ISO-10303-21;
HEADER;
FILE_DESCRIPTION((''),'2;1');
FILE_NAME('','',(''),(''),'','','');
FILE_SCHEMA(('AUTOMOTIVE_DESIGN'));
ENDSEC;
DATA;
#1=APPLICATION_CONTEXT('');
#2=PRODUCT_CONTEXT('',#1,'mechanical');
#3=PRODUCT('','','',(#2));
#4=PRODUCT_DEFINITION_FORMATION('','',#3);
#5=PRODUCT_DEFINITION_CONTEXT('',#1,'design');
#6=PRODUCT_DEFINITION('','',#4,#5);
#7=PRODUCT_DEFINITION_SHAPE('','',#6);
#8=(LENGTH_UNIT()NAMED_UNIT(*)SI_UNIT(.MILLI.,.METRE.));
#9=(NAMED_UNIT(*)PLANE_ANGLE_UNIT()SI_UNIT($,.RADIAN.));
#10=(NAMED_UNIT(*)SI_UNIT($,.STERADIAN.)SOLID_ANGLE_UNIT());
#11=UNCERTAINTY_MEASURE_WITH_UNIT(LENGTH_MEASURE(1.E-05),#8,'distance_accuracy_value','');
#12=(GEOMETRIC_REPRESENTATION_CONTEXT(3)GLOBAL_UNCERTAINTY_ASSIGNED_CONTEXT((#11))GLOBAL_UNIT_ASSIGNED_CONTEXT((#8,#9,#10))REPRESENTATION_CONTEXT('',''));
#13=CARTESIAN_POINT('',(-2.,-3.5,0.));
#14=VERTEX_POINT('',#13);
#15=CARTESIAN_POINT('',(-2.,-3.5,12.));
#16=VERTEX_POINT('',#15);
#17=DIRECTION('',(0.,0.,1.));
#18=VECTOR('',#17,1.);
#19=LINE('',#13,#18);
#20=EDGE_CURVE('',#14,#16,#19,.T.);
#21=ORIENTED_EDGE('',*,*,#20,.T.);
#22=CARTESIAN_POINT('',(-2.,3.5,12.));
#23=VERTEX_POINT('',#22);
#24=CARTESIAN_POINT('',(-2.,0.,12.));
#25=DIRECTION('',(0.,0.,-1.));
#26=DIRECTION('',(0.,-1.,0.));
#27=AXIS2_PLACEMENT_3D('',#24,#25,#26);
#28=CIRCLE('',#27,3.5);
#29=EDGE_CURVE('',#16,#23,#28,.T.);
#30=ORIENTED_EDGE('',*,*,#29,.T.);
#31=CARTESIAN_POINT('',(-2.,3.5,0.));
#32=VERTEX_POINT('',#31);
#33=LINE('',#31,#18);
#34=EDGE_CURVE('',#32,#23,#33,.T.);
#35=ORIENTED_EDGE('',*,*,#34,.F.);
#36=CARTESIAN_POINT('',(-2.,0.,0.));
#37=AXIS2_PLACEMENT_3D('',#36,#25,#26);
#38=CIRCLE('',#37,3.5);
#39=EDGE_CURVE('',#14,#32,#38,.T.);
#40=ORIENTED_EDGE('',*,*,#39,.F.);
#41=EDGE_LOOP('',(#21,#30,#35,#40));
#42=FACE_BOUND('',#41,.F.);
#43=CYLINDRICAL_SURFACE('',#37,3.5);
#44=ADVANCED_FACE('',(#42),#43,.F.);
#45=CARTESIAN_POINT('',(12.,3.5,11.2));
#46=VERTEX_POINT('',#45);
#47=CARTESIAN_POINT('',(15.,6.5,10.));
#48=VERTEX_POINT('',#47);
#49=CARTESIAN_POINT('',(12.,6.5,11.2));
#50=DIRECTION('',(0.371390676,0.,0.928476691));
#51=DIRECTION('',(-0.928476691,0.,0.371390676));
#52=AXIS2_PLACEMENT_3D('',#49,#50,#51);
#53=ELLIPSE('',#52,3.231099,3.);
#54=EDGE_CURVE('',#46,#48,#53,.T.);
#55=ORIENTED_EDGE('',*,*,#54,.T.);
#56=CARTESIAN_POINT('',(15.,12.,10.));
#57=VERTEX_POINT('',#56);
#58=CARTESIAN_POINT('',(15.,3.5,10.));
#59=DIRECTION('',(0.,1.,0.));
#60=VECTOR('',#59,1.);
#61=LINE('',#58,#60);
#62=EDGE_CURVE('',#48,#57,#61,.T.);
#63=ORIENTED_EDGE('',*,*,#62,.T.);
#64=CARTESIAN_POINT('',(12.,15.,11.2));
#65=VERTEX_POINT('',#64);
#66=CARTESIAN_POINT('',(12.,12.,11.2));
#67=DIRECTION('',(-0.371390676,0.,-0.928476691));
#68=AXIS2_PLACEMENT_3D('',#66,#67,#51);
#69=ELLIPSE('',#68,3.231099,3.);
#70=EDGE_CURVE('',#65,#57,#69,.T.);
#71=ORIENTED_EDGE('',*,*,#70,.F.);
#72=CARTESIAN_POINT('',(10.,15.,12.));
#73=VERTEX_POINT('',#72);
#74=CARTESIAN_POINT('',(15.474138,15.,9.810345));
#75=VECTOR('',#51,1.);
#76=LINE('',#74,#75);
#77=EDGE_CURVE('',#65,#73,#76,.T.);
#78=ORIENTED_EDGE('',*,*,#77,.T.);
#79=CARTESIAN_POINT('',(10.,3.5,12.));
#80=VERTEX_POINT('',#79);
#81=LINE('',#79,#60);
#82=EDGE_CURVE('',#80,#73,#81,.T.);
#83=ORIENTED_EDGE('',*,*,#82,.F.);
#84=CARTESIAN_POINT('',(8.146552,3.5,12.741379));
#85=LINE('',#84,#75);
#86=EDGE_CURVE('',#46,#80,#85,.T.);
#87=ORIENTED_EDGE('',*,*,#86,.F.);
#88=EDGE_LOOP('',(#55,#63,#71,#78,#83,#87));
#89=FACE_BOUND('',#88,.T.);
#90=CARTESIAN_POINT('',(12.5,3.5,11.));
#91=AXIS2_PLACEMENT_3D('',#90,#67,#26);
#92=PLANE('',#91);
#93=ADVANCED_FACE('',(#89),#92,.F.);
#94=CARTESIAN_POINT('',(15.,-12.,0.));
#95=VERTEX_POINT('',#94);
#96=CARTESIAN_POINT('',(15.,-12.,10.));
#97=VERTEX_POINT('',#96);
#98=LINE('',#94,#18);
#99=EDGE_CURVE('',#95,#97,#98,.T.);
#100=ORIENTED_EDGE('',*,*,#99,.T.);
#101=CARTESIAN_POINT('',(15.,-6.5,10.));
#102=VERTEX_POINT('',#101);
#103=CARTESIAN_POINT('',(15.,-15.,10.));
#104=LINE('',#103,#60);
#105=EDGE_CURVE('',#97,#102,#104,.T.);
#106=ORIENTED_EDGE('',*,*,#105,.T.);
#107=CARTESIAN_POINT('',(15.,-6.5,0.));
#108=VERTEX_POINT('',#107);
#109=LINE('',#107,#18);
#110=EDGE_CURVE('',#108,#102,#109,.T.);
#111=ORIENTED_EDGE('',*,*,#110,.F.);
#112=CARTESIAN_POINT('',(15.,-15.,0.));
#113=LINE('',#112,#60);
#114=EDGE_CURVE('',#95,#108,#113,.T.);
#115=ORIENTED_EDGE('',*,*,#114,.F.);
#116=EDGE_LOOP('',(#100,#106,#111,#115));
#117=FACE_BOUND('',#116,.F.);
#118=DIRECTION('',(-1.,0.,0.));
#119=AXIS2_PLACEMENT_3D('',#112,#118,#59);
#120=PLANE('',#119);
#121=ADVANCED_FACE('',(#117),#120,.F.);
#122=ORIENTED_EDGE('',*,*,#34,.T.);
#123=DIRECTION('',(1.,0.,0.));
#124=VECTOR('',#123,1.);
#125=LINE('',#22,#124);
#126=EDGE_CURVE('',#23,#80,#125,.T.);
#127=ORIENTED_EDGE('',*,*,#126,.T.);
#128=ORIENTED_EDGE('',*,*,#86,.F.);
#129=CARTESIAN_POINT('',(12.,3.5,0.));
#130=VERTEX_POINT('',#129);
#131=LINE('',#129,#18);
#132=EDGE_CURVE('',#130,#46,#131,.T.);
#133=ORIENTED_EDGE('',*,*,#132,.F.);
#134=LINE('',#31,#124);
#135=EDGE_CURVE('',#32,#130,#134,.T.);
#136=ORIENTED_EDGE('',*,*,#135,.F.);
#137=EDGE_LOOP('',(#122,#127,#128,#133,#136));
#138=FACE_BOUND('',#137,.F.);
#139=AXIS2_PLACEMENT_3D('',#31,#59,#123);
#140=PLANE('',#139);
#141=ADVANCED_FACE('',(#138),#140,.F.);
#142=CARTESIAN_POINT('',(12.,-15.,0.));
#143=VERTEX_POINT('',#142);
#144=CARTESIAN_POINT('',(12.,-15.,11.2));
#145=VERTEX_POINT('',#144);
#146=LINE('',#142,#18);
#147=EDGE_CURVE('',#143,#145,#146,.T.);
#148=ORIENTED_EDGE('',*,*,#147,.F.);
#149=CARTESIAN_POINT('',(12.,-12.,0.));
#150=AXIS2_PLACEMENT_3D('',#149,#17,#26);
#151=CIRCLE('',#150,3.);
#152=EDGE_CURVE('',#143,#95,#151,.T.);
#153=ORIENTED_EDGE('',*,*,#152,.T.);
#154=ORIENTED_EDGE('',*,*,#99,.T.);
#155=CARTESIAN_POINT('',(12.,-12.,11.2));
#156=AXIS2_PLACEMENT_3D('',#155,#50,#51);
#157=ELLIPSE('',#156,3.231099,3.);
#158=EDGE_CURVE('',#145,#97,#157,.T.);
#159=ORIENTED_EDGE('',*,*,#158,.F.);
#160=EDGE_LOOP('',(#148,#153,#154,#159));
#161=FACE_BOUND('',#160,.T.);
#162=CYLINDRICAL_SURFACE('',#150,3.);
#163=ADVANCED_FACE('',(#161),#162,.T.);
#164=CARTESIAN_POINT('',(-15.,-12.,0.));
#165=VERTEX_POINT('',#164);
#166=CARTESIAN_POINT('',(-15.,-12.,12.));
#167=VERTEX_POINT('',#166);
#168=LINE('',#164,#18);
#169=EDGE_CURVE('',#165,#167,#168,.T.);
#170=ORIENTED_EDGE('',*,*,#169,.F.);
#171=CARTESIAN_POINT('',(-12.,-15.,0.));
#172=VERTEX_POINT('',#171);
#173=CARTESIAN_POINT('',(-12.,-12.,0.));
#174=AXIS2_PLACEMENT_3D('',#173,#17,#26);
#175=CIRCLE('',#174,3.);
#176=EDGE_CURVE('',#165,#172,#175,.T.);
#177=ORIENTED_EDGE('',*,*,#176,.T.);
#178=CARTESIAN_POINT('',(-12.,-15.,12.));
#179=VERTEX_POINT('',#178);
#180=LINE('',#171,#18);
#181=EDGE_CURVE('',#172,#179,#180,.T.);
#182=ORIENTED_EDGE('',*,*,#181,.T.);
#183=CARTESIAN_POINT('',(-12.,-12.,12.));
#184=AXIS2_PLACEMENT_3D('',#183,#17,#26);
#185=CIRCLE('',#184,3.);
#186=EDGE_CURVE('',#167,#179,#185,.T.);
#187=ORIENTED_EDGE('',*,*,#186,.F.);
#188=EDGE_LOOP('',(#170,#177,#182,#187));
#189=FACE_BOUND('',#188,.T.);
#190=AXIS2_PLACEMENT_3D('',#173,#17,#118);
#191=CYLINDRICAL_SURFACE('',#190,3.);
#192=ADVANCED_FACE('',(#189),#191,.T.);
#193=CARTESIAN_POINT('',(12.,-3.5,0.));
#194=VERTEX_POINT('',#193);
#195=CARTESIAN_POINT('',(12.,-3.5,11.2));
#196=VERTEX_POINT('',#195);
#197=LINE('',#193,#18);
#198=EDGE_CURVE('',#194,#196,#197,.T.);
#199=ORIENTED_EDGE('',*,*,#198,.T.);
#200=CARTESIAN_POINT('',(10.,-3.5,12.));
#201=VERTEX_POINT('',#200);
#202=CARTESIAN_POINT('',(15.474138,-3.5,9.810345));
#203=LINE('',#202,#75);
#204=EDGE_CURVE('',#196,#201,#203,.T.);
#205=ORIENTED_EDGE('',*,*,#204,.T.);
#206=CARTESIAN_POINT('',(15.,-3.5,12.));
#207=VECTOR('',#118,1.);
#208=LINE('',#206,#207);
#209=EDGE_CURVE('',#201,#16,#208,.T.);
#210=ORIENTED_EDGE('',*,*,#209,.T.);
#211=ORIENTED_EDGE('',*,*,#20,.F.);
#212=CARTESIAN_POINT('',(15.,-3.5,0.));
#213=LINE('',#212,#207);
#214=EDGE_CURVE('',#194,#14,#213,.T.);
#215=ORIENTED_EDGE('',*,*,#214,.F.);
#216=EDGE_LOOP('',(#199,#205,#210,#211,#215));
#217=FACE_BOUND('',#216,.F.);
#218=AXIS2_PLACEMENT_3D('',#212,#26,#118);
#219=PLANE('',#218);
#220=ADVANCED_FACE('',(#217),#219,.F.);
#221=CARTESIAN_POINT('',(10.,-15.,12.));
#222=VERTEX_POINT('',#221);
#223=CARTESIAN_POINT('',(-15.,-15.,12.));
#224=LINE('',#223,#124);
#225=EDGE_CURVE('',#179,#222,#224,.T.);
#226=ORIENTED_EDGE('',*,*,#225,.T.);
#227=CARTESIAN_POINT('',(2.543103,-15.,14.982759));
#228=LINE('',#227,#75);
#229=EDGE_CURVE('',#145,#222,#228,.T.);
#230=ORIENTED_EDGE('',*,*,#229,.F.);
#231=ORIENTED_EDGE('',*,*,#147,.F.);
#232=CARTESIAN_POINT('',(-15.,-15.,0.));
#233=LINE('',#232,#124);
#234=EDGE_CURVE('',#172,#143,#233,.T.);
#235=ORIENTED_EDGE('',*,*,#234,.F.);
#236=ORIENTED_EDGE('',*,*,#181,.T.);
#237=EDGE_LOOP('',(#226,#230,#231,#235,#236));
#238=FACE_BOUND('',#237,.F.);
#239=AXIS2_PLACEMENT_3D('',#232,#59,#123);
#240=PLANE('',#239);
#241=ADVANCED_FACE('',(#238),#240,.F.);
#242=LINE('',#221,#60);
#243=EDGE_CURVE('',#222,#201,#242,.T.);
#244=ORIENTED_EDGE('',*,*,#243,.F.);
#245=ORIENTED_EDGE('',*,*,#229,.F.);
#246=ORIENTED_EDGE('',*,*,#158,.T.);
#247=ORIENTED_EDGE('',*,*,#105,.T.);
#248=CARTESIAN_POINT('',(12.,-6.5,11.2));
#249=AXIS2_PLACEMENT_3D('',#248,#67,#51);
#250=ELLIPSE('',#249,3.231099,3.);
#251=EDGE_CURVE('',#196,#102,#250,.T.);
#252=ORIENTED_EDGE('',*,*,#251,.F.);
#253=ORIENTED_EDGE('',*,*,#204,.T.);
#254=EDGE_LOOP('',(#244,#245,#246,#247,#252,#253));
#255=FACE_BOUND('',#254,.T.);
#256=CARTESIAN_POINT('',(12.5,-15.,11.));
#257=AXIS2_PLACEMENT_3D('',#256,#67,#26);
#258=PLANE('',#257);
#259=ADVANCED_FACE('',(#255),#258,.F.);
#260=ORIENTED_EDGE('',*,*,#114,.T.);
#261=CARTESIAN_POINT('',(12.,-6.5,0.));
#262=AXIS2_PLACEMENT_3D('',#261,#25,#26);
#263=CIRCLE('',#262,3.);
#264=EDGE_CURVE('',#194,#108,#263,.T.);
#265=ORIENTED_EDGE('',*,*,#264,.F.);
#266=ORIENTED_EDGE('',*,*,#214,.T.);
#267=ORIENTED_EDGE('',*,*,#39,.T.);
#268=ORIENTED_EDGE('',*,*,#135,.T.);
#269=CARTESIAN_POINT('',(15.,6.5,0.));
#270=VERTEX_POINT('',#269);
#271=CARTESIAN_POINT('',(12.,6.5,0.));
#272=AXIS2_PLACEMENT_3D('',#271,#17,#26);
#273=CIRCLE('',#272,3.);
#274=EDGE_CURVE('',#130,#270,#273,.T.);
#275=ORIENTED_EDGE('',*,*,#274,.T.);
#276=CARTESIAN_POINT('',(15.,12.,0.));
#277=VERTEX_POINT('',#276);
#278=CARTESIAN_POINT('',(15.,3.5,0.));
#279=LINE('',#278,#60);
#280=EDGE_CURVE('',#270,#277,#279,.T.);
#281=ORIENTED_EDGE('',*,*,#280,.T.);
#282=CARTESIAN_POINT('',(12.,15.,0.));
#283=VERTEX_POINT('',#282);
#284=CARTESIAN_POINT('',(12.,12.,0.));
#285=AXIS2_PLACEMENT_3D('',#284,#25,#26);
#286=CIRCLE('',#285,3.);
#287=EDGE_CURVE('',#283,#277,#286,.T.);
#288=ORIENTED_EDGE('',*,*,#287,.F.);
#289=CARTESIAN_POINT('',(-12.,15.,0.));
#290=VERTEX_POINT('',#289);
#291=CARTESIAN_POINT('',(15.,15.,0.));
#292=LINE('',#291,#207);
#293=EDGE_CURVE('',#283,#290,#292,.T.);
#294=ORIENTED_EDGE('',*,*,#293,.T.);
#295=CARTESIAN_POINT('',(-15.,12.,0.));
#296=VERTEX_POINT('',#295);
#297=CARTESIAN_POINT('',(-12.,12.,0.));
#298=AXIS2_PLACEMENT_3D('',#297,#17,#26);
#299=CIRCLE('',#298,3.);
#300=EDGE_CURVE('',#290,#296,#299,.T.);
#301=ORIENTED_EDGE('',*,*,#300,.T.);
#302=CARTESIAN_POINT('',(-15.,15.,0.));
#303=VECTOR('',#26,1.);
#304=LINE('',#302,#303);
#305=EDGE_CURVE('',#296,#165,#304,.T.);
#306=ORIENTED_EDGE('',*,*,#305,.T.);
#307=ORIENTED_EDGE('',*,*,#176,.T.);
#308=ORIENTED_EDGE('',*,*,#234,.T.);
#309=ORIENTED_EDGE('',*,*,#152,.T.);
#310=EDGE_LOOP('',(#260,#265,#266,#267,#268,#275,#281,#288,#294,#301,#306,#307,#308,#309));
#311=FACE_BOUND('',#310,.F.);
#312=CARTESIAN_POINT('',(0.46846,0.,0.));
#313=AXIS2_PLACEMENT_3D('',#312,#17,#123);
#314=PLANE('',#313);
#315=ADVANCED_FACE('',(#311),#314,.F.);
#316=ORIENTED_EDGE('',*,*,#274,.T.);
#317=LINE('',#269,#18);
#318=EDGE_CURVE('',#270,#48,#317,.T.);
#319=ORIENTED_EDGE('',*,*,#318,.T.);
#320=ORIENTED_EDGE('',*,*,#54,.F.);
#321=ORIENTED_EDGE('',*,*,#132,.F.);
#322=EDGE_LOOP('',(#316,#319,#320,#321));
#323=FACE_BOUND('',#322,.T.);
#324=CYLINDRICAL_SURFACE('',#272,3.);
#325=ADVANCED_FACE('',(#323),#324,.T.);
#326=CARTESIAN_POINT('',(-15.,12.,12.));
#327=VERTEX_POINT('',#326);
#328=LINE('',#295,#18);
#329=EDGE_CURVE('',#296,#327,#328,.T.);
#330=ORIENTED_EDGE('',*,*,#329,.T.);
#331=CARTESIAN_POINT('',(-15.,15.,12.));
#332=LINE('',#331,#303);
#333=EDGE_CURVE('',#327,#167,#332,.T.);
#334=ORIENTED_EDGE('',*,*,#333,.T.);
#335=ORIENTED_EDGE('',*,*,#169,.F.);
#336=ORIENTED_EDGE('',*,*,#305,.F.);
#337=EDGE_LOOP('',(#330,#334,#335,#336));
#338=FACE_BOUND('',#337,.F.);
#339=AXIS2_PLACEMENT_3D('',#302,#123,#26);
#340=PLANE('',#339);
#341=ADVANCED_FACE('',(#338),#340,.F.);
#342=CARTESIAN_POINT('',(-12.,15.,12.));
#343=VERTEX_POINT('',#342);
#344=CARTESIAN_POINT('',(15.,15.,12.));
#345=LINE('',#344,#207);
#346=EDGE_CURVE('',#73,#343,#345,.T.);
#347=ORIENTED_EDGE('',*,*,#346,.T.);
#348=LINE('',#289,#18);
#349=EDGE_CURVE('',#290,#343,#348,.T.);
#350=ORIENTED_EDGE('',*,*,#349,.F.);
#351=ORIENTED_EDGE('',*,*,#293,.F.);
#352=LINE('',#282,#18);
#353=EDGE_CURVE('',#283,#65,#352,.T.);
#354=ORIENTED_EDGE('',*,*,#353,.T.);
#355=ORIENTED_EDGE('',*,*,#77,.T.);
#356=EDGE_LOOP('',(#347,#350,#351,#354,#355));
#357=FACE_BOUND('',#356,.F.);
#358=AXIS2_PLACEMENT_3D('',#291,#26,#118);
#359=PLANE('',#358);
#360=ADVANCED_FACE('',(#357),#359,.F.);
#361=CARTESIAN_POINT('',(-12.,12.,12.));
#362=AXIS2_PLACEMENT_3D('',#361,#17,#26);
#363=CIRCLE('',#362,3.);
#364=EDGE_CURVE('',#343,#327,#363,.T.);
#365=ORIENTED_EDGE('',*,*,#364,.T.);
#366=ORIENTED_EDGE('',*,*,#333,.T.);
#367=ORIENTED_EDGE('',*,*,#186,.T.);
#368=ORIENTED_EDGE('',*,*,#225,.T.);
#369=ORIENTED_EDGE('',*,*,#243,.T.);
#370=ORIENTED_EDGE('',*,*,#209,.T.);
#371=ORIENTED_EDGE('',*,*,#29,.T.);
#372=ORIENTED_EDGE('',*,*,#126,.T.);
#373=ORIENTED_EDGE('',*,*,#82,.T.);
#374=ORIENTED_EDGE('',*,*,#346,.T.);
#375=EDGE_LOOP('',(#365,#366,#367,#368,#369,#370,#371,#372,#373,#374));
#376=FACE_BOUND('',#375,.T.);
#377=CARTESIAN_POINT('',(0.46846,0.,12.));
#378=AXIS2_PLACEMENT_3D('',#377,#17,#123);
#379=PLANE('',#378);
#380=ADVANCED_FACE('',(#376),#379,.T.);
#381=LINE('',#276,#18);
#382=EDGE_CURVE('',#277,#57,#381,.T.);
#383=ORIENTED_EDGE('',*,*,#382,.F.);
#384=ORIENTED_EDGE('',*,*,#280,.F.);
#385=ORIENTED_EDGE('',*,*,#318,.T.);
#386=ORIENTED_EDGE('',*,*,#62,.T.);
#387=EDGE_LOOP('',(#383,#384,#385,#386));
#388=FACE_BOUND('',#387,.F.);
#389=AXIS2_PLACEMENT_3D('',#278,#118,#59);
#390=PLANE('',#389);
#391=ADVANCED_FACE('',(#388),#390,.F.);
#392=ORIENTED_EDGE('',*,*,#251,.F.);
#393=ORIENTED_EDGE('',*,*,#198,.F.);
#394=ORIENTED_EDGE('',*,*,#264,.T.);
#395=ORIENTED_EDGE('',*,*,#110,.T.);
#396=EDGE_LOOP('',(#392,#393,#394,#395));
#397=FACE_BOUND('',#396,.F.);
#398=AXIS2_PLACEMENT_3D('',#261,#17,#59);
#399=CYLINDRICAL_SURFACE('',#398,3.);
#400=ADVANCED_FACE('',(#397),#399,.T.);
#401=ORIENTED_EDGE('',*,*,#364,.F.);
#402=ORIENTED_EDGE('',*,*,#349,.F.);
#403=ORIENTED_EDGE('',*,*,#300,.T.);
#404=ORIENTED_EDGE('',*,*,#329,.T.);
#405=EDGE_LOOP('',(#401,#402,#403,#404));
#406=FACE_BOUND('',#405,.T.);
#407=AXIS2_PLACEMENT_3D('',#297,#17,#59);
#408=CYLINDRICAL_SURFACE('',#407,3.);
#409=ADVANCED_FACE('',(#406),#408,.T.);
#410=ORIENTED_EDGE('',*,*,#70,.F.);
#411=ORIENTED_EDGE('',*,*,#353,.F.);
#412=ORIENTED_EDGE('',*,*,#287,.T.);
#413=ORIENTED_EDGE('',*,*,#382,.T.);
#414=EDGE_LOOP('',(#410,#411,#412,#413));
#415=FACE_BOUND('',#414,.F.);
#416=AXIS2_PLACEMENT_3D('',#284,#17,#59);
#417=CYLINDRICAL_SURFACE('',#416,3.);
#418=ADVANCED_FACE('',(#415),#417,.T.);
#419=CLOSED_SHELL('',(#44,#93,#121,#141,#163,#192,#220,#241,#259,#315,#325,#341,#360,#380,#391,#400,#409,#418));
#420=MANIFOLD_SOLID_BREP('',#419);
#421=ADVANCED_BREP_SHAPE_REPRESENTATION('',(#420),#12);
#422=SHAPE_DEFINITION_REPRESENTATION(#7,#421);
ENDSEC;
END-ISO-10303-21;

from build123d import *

# Parameters (mm, degrees)
F2_DEPTH   = 12
F3_SIZE2   = 5
F3_SIZE    = 2
F3_2_SIZE2 = 5
F3_2_SIZE  = 2
F4_R       = 3


with BuildPart() as f2:
    # F1 (on Top) → F2 (new body)
    with BuildSketch(Plane.XY):
        with BuildLine():
            Line((15, 3.5), (15, 15))
            Line((15, 15), (-15, 15))
            Line((-15, 15), (-15, -15))
            Line((-15, -15), (15, -15))
            Line((15, -15), (15, -3.5))
            Line((15, -3.5), (-2, -3.5))
            ThreePointArc((-2, -3.5), (-5.5, 0), (-2, 3.5))
            Line((-2, 3.5), (15, 3.5))
        make_face()
    extrude(amount=F2_DEPTH)

    # F3
    f3_edges = [f2.edges().sort_by_distance(p)[0] for p in [
        (15, -9.25, 12),
    ]]
    f3_side = f2.faces().sort_by_distance((15, -9.25, 6))[0]
    chamfer(f3_edges, length=F3_SIZE, length2=F3_SIZE2, reference=f3_side)

    # F3#2
    f3_2_edges = [f2.edges().sort_by_distance(p)[0] for p in [
        (15, 9.25, 12),
    ]]
    f3_2_side = f2.faces().sort_by_distance((15, 9.25, 6))[0]
    chamfer(f3_2_edges, length=F3_2_SIZE, length2=F3_2_SIZE2, reference=f3_2_side)

    # F4
    f4_edges = [f2.edges().sort_by_distance(p)[0] for p in [
        (-15, -15, 6),
        (15, -15, 5),
        (15, 15, 5),
        (-15, 15, 6),
        (15, -3.5, 5),
        (15, 3.5, 5),
    ]]
    fillet(f4_edges, radius=F4_R)


solid = f2.part
